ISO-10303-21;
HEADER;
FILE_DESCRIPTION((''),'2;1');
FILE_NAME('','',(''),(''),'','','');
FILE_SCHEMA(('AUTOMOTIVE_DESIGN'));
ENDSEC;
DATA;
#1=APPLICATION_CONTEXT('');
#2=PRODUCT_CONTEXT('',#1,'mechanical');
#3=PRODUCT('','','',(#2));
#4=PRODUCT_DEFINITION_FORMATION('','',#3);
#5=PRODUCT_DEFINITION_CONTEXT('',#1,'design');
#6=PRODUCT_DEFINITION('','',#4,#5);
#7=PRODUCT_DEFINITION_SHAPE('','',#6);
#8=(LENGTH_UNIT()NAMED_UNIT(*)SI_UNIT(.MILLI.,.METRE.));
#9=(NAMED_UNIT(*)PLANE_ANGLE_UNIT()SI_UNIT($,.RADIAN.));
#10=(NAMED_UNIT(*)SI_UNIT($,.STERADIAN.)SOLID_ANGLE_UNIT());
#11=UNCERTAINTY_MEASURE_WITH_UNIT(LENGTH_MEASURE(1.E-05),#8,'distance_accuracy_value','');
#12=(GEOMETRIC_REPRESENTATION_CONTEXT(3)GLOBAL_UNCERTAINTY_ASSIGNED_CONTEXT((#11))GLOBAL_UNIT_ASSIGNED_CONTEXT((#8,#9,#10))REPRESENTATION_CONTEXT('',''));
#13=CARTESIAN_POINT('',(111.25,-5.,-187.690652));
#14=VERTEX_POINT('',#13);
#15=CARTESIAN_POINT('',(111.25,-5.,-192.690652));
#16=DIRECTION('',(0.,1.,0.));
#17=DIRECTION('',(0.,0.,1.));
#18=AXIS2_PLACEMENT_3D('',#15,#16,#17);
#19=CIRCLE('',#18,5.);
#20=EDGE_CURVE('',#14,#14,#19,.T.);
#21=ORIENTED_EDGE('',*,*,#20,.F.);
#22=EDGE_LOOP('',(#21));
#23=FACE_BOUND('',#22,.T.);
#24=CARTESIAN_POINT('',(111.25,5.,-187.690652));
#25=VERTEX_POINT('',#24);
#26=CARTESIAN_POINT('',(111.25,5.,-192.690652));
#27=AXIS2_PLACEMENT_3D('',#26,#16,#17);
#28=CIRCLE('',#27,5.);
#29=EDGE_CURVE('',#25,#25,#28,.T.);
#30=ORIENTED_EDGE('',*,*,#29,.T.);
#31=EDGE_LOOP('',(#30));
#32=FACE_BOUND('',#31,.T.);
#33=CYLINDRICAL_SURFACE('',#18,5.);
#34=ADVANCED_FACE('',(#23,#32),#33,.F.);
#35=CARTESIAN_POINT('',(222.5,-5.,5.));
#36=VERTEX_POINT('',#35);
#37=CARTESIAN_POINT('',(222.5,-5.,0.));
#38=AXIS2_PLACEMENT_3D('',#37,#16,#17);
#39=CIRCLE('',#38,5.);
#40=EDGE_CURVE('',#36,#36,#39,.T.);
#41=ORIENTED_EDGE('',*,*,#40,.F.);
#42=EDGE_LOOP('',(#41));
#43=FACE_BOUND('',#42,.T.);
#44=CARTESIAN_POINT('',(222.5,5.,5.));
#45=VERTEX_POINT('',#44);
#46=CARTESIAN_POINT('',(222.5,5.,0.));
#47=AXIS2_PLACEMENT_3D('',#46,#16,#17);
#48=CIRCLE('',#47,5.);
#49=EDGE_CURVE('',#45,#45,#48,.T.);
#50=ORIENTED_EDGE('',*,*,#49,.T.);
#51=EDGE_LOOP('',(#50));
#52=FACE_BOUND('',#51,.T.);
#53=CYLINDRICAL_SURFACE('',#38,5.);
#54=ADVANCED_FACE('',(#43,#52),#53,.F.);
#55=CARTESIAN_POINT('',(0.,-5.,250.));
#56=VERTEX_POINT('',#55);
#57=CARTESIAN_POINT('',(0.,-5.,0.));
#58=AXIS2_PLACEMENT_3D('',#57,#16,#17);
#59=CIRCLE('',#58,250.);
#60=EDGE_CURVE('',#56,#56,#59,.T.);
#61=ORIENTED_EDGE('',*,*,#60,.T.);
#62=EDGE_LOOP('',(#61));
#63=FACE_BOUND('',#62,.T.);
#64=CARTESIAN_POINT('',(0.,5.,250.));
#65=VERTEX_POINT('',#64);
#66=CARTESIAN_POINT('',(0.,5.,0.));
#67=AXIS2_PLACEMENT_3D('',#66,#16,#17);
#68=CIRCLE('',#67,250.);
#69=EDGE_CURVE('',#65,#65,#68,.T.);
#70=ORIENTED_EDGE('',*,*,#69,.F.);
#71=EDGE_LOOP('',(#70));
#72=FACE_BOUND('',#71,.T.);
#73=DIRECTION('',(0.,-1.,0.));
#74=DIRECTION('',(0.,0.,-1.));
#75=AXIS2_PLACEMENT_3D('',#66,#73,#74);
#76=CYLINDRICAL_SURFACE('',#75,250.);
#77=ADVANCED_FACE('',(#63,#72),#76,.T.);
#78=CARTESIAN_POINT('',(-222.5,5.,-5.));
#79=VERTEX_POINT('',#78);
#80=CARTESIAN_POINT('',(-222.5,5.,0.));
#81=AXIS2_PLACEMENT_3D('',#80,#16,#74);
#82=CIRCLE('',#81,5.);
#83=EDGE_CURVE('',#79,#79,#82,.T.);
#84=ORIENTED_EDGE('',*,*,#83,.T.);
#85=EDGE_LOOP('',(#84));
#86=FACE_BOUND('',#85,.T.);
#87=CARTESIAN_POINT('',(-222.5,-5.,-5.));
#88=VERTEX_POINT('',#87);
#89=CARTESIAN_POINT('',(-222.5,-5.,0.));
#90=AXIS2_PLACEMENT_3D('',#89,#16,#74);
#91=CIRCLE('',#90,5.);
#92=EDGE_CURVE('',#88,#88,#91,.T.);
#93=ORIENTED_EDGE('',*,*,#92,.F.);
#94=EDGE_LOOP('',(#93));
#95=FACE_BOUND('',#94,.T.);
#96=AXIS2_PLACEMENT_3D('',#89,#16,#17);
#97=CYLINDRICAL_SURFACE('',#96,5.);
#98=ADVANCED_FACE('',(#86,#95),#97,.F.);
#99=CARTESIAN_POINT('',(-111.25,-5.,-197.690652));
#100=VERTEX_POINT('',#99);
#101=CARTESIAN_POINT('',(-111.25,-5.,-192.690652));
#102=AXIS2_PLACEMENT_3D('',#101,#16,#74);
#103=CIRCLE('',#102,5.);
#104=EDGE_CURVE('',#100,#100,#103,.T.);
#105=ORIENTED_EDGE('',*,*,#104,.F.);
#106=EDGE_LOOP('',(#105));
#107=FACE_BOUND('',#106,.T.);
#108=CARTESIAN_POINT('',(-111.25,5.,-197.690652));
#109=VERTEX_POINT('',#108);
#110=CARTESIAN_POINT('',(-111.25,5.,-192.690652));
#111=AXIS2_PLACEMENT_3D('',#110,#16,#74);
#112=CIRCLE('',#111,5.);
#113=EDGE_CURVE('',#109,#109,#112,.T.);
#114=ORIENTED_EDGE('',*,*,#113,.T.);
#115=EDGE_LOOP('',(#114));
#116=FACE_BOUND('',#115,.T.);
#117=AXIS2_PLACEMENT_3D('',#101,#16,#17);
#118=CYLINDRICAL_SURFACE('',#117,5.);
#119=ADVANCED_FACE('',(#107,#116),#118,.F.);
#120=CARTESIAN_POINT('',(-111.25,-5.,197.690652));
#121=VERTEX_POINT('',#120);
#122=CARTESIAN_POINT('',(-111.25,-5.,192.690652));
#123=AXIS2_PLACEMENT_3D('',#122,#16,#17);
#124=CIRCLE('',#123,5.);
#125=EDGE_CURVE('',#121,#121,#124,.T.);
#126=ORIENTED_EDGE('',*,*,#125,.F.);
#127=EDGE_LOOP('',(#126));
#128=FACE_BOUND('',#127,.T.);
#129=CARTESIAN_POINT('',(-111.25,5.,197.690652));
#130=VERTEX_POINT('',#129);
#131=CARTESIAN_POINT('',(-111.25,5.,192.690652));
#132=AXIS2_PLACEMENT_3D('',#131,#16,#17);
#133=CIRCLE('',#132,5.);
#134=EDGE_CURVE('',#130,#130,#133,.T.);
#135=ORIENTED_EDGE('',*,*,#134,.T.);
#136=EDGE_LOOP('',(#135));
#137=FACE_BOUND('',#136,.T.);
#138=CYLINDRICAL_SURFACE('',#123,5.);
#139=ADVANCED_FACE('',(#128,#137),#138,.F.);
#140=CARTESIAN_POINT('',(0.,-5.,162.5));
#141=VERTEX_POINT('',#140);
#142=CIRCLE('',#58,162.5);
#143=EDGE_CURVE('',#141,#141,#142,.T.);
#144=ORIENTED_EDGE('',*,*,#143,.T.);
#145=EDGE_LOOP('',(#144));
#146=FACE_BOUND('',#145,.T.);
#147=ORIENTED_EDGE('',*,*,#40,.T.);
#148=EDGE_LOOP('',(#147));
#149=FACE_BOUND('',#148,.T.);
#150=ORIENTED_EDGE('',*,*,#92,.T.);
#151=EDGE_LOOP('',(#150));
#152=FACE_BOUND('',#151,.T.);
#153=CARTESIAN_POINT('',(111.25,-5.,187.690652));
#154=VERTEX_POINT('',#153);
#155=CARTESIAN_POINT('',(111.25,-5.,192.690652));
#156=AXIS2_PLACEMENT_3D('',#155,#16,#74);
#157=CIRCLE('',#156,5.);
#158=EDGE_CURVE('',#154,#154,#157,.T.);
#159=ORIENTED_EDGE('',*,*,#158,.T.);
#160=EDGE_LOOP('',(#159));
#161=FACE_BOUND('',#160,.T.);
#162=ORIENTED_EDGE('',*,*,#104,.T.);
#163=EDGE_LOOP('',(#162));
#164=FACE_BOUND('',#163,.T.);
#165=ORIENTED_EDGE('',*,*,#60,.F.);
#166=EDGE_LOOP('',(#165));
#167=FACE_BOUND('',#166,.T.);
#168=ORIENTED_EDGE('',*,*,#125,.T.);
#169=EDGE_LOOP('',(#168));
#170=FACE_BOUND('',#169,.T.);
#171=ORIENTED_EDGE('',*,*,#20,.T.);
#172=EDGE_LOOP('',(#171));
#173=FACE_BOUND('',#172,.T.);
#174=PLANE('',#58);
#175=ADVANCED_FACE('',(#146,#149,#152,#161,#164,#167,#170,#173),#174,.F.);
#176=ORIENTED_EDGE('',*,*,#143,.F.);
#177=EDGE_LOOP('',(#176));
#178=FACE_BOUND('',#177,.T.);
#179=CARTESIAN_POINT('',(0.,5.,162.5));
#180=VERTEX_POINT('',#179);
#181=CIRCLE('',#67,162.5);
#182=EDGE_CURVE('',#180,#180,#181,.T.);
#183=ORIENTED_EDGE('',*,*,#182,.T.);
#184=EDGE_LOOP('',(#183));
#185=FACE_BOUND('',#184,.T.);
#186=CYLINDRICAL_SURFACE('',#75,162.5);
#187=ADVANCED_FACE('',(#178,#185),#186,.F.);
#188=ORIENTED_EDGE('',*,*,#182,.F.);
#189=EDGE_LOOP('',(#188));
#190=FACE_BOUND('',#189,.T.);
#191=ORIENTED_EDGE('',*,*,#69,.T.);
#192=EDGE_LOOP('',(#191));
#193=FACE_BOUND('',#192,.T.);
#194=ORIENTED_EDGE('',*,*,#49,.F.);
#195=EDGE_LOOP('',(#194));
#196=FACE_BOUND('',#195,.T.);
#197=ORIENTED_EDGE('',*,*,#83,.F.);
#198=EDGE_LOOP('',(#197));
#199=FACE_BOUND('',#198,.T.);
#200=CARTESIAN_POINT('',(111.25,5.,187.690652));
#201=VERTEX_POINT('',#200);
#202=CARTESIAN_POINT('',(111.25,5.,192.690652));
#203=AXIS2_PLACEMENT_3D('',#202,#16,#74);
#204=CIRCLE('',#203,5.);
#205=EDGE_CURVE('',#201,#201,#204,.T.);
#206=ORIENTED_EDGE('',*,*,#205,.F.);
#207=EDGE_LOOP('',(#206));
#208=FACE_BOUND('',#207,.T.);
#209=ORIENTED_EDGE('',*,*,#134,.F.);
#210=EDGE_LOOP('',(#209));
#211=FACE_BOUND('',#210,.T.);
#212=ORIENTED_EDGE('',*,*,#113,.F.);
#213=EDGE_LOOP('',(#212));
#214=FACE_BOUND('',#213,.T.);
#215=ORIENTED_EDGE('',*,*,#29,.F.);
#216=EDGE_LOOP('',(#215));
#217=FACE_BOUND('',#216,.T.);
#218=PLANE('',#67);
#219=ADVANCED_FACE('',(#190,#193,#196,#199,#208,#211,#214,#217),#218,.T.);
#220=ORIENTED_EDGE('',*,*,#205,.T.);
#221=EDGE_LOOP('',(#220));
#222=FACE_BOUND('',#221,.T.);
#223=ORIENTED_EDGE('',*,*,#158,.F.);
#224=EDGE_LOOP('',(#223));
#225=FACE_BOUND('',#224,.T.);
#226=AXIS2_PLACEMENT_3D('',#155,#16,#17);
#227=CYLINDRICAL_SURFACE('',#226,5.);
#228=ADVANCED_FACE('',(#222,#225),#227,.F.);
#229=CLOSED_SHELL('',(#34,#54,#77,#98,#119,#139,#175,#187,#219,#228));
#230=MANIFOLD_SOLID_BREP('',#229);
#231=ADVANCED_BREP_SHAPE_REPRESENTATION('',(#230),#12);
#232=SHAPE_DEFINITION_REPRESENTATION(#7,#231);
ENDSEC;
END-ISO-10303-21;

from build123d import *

# Parameters (mm, degrees)
SKETCH1_R           = 250
SKETCH1_R_2         = 162.5
BOSS_EXTRUDE1_DEPTH = 5
SKETCH2_R           = 5
CUT_EXTRUDE1_DEPTH  = 354.694783677


with BuildPart() as part:
    # Sketch1 → Boss-Extrude1 (new, symmetric)
    with BuildSketch(Plane(origin=(0, 0, 0), x_dir=(1, 0, 0), z_dir=(0, 1, 0))):
        with Locations(Location((0, 0, 0), (0, 0, 270))):
            Circle(SKETCH1_R)
        with Locations(Location((0, 0, 0), (0, 0, 270))):
            Circle(SKETCH1_R_2, mode=Mode.SUBTRACT)
    extrude(amount=BOSS_EXTRUDE1_DEPTH, both=True)

    # Sketch2 → Cut-Extrude1 (cut, through all)
    with BuildSketch(Plane(origin=(0, 5, 0), x_dir=(1, 0, 0), z_dir=(0, 1, 0))):
        with Locations(Location((111.25, 192.690652342, 0), (0, 0, 270))):
            Circle(SKETCH2_R)
        with Locations(Location((222.5, 0, 0), (0, 0, 270))):
            Circle(SKETCH2_R)
        with Locations(Location((-111.25, 192.690652342, 0), (0, 0, 90))):
            Circle(SKETCH2_R)
        with Locations(Location((-222.5, 0, 0), (0, 0, 90))):
            Circle(SKETCH2_R)
        with Locations(Location((111.25, -192.690652342, 0), (0, 0, 90))):
            Circle(SKETCH2_R)
        with Locations(Location((-111.25, -192.690652342, 0), (0, 0, 270))):
            Circle(SKETCH2_R)
    extrude(amount=-CUT_EXTRUDE1_DEPTH, mode=Mode.SUBTRACT)


solid = part.part
